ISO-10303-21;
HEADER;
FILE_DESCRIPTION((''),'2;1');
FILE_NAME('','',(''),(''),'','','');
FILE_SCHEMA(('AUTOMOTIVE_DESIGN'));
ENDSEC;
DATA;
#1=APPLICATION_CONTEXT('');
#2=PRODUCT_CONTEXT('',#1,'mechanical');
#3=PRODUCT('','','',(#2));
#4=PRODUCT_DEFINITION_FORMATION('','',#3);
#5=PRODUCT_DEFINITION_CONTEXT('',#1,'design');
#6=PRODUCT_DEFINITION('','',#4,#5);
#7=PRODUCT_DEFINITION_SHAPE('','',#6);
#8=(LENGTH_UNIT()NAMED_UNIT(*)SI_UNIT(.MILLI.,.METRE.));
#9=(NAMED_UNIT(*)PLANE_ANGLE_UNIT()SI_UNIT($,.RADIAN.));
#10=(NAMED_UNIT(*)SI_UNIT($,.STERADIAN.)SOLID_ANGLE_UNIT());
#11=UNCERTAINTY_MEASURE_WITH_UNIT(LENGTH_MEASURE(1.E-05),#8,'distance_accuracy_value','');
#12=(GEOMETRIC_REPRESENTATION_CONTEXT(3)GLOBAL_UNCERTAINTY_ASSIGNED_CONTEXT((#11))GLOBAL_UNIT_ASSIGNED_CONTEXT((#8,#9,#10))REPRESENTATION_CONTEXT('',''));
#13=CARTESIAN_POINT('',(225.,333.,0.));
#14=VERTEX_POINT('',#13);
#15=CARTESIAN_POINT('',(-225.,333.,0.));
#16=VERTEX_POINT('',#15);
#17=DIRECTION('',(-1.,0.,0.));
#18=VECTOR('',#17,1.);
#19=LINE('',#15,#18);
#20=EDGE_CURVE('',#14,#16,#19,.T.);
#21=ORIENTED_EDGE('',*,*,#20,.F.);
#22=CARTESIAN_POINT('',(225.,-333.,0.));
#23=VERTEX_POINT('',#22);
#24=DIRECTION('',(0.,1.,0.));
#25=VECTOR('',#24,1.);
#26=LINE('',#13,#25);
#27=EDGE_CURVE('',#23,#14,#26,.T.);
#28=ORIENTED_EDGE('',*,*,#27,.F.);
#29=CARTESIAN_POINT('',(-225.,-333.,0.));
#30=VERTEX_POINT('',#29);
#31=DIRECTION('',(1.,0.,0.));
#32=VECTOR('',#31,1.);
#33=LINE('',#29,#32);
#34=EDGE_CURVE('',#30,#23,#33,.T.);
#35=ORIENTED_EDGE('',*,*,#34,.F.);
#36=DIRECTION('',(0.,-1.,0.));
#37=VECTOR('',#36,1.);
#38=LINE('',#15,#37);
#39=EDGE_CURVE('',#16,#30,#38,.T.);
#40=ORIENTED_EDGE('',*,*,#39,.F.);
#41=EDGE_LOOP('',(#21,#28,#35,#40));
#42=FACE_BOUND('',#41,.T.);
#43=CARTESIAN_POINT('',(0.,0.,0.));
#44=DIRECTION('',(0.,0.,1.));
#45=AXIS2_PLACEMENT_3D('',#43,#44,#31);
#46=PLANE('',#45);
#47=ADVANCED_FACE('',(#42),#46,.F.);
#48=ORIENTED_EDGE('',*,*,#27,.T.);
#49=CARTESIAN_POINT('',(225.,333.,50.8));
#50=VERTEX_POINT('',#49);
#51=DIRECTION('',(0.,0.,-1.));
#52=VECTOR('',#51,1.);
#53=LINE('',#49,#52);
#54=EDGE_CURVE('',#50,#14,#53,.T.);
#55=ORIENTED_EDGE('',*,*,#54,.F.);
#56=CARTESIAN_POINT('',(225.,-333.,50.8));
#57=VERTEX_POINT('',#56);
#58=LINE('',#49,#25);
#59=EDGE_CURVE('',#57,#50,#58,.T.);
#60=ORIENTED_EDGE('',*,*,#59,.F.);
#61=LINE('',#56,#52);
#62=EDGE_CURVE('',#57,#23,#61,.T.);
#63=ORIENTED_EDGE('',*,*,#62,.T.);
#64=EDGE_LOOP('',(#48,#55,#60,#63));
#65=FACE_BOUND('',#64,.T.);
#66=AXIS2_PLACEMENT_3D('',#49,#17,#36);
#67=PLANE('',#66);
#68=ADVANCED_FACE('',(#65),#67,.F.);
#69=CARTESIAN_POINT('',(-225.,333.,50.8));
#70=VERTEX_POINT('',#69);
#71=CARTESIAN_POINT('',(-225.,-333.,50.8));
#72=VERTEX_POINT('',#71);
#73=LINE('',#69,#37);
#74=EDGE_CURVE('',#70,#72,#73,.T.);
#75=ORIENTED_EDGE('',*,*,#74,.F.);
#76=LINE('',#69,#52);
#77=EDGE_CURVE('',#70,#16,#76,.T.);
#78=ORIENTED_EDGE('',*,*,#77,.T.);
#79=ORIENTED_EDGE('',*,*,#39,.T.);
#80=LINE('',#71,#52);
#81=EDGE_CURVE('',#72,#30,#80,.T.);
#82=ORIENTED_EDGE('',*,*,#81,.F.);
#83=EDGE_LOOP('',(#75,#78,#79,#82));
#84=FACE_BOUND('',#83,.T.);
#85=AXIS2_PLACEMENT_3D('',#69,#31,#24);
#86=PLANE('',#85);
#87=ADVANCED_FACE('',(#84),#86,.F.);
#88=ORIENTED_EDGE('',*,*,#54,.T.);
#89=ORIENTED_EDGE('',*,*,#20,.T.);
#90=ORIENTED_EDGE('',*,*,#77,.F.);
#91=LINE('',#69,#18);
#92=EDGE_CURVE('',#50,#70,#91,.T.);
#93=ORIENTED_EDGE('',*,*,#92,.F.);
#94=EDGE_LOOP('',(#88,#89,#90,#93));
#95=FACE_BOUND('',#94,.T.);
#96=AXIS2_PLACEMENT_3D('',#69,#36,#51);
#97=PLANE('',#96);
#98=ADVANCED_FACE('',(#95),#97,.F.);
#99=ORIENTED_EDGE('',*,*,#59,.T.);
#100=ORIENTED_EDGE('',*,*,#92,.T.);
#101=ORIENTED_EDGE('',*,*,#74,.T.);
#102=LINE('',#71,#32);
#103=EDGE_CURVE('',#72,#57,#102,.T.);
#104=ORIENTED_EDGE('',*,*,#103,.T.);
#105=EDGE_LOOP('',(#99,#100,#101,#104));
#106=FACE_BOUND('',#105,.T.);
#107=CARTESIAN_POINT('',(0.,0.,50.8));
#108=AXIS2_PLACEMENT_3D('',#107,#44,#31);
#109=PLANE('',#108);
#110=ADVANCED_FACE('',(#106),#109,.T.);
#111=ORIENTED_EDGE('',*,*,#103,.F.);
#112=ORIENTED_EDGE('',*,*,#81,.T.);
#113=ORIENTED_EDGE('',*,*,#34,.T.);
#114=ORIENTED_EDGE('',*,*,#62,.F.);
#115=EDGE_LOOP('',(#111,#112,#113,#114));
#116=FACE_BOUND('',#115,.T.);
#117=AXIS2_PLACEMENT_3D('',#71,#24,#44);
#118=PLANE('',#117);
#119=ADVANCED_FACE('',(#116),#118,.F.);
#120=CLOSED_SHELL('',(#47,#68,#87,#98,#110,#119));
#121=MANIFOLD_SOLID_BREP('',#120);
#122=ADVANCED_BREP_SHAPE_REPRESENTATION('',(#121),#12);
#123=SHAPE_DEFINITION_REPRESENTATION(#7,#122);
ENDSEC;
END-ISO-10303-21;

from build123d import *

# Parameters (mm, degrees)
CROQUIS1_W              = 450
CROQUIS1_H              = 666
SALIENTE_EXTRUIR1_DEPTH = 50.8


with BuildPart() as part:
    # Croquis1 → Saliente-Extruir1 (new body)
    with BuildSketch(Plane.XY):
        Rectangle(CROQUIS1_W, CROQUIS1_H)
    extrude(amount=SALIENTE_EXTRUIR1_DEPTH)


solid = part.part
